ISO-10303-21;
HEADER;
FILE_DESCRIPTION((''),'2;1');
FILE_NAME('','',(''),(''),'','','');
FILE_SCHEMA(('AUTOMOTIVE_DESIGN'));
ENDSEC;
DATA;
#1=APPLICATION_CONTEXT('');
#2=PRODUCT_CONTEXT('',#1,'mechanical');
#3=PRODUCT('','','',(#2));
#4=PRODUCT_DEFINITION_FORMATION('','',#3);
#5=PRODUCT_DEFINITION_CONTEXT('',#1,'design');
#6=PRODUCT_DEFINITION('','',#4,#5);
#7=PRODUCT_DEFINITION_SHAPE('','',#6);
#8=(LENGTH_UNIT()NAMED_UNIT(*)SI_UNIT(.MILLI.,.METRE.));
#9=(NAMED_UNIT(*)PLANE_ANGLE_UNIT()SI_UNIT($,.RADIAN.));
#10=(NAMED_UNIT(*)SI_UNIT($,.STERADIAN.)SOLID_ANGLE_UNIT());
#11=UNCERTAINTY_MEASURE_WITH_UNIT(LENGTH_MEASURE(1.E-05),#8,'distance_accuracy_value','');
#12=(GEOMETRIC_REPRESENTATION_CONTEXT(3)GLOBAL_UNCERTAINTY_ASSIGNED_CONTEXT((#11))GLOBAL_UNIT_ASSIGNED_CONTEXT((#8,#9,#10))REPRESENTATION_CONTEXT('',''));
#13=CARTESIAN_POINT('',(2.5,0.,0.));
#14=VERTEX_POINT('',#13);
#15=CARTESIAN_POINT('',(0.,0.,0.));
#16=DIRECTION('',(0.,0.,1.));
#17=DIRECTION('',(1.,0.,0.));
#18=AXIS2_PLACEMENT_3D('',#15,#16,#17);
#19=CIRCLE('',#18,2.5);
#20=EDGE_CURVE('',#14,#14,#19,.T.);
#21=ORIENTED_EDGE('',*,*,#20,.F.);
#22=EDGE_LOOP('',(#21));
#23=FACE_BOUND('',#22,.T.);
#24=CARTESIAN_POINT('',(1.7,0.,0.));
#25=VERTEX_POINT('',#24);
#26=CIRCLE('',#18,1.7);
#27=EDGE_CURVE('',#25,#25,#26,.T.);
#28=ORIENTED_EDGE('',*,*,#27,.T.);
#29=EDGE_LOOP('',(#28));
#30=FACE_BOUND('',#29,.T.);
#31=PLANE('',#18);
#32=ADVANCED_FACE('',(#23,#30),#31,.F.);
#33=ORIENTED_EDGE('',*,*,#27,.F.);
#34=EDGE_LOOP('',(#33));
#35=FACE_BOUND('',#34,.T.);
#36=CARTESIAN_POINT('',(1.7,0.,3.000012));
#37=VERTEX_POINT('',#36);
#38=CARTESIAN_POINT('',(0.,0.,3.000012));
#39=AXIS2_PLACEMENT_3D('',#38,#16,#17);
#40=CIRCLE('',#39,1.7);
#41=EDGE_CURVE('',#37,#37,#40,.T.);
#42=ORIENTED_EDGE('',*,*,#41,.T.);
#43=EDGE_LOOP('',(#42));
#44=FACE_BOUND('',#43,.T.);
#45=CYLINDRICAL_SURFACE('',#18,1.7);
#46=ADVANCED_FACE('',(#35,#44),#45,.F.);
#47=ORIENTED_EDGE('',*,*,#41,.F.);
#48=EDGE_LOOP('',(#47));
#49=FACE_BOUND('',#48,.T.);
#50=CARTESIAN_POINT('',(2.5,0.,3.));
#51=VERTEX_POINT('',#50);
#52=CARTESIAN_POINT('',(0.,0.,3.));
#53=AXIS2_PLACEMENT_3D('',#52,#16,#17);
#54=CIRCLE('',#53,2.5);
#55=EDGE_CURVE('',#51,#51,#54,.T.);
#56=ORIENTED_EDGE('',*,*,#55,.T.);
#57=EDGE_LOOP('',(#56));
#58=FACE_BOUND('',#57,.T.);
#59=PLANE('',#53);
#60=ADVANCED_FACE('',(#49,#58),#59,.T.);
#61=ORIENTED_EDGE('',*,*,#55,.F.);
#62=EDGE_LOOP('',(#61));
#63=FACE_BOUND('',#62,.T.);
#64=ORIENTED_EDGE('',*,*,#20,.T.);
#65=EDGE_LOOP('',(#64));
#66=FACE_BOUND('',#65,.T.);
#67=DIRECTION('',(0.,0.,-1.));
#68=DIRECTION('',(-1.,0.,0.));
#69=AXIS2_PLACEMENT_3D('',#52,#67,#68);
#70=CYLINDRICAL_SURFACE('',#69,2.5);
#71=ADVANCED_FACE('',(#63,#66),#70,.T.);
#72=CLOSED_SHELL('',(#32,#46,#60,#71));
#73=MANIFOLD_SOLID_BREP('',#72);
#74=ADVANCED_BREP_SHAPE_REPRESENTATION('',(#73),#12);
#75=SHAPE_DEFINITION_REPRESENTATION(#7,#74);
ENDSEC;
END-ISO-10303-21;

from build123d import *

# Parameters (mm, degrees)
SKETCH1_R               = 2.5
BOSS_EXTRUDE1_DEPTH     = 3
CUT_EXTRUDE1_DEPTH      = 5.636809248
CUT_EXTRUDE1_DEPTH_BACK = 5.636809248
SKETCH2_R               = 1.7


with BuildPart() as part:
    # Sketch1 → Boss-Extrude1 (new body)
    with BuildSketch(Plane(origin=(0, 0, 0), x_dir=(0, 1, 0), z_dir=(0, 0, 1))):
        with Locations(Location((0, 0, 0), (0, 0, 270))):
            Circle(SKETCH1_R)
    extrude(amount=BOSS_EXTRUDE1_DEPTH)

    # Sketch2 → Cut-Extrude1 (cut, two sides: drawn at the far end of the back side and taken through both)
    with BuildSketch(Plane.XY.offset(3).offset(-CUT_EXTRUDE1_DEPTH_BACK)):
        Circle(SKETCH2_R)
    extrude(amount=CUT_EXTRUDE1_DEPTH + CUT_EXTRUDE1_DEPTH_BACK, mode=Mode.SUBTRACT)


solid = part.part
